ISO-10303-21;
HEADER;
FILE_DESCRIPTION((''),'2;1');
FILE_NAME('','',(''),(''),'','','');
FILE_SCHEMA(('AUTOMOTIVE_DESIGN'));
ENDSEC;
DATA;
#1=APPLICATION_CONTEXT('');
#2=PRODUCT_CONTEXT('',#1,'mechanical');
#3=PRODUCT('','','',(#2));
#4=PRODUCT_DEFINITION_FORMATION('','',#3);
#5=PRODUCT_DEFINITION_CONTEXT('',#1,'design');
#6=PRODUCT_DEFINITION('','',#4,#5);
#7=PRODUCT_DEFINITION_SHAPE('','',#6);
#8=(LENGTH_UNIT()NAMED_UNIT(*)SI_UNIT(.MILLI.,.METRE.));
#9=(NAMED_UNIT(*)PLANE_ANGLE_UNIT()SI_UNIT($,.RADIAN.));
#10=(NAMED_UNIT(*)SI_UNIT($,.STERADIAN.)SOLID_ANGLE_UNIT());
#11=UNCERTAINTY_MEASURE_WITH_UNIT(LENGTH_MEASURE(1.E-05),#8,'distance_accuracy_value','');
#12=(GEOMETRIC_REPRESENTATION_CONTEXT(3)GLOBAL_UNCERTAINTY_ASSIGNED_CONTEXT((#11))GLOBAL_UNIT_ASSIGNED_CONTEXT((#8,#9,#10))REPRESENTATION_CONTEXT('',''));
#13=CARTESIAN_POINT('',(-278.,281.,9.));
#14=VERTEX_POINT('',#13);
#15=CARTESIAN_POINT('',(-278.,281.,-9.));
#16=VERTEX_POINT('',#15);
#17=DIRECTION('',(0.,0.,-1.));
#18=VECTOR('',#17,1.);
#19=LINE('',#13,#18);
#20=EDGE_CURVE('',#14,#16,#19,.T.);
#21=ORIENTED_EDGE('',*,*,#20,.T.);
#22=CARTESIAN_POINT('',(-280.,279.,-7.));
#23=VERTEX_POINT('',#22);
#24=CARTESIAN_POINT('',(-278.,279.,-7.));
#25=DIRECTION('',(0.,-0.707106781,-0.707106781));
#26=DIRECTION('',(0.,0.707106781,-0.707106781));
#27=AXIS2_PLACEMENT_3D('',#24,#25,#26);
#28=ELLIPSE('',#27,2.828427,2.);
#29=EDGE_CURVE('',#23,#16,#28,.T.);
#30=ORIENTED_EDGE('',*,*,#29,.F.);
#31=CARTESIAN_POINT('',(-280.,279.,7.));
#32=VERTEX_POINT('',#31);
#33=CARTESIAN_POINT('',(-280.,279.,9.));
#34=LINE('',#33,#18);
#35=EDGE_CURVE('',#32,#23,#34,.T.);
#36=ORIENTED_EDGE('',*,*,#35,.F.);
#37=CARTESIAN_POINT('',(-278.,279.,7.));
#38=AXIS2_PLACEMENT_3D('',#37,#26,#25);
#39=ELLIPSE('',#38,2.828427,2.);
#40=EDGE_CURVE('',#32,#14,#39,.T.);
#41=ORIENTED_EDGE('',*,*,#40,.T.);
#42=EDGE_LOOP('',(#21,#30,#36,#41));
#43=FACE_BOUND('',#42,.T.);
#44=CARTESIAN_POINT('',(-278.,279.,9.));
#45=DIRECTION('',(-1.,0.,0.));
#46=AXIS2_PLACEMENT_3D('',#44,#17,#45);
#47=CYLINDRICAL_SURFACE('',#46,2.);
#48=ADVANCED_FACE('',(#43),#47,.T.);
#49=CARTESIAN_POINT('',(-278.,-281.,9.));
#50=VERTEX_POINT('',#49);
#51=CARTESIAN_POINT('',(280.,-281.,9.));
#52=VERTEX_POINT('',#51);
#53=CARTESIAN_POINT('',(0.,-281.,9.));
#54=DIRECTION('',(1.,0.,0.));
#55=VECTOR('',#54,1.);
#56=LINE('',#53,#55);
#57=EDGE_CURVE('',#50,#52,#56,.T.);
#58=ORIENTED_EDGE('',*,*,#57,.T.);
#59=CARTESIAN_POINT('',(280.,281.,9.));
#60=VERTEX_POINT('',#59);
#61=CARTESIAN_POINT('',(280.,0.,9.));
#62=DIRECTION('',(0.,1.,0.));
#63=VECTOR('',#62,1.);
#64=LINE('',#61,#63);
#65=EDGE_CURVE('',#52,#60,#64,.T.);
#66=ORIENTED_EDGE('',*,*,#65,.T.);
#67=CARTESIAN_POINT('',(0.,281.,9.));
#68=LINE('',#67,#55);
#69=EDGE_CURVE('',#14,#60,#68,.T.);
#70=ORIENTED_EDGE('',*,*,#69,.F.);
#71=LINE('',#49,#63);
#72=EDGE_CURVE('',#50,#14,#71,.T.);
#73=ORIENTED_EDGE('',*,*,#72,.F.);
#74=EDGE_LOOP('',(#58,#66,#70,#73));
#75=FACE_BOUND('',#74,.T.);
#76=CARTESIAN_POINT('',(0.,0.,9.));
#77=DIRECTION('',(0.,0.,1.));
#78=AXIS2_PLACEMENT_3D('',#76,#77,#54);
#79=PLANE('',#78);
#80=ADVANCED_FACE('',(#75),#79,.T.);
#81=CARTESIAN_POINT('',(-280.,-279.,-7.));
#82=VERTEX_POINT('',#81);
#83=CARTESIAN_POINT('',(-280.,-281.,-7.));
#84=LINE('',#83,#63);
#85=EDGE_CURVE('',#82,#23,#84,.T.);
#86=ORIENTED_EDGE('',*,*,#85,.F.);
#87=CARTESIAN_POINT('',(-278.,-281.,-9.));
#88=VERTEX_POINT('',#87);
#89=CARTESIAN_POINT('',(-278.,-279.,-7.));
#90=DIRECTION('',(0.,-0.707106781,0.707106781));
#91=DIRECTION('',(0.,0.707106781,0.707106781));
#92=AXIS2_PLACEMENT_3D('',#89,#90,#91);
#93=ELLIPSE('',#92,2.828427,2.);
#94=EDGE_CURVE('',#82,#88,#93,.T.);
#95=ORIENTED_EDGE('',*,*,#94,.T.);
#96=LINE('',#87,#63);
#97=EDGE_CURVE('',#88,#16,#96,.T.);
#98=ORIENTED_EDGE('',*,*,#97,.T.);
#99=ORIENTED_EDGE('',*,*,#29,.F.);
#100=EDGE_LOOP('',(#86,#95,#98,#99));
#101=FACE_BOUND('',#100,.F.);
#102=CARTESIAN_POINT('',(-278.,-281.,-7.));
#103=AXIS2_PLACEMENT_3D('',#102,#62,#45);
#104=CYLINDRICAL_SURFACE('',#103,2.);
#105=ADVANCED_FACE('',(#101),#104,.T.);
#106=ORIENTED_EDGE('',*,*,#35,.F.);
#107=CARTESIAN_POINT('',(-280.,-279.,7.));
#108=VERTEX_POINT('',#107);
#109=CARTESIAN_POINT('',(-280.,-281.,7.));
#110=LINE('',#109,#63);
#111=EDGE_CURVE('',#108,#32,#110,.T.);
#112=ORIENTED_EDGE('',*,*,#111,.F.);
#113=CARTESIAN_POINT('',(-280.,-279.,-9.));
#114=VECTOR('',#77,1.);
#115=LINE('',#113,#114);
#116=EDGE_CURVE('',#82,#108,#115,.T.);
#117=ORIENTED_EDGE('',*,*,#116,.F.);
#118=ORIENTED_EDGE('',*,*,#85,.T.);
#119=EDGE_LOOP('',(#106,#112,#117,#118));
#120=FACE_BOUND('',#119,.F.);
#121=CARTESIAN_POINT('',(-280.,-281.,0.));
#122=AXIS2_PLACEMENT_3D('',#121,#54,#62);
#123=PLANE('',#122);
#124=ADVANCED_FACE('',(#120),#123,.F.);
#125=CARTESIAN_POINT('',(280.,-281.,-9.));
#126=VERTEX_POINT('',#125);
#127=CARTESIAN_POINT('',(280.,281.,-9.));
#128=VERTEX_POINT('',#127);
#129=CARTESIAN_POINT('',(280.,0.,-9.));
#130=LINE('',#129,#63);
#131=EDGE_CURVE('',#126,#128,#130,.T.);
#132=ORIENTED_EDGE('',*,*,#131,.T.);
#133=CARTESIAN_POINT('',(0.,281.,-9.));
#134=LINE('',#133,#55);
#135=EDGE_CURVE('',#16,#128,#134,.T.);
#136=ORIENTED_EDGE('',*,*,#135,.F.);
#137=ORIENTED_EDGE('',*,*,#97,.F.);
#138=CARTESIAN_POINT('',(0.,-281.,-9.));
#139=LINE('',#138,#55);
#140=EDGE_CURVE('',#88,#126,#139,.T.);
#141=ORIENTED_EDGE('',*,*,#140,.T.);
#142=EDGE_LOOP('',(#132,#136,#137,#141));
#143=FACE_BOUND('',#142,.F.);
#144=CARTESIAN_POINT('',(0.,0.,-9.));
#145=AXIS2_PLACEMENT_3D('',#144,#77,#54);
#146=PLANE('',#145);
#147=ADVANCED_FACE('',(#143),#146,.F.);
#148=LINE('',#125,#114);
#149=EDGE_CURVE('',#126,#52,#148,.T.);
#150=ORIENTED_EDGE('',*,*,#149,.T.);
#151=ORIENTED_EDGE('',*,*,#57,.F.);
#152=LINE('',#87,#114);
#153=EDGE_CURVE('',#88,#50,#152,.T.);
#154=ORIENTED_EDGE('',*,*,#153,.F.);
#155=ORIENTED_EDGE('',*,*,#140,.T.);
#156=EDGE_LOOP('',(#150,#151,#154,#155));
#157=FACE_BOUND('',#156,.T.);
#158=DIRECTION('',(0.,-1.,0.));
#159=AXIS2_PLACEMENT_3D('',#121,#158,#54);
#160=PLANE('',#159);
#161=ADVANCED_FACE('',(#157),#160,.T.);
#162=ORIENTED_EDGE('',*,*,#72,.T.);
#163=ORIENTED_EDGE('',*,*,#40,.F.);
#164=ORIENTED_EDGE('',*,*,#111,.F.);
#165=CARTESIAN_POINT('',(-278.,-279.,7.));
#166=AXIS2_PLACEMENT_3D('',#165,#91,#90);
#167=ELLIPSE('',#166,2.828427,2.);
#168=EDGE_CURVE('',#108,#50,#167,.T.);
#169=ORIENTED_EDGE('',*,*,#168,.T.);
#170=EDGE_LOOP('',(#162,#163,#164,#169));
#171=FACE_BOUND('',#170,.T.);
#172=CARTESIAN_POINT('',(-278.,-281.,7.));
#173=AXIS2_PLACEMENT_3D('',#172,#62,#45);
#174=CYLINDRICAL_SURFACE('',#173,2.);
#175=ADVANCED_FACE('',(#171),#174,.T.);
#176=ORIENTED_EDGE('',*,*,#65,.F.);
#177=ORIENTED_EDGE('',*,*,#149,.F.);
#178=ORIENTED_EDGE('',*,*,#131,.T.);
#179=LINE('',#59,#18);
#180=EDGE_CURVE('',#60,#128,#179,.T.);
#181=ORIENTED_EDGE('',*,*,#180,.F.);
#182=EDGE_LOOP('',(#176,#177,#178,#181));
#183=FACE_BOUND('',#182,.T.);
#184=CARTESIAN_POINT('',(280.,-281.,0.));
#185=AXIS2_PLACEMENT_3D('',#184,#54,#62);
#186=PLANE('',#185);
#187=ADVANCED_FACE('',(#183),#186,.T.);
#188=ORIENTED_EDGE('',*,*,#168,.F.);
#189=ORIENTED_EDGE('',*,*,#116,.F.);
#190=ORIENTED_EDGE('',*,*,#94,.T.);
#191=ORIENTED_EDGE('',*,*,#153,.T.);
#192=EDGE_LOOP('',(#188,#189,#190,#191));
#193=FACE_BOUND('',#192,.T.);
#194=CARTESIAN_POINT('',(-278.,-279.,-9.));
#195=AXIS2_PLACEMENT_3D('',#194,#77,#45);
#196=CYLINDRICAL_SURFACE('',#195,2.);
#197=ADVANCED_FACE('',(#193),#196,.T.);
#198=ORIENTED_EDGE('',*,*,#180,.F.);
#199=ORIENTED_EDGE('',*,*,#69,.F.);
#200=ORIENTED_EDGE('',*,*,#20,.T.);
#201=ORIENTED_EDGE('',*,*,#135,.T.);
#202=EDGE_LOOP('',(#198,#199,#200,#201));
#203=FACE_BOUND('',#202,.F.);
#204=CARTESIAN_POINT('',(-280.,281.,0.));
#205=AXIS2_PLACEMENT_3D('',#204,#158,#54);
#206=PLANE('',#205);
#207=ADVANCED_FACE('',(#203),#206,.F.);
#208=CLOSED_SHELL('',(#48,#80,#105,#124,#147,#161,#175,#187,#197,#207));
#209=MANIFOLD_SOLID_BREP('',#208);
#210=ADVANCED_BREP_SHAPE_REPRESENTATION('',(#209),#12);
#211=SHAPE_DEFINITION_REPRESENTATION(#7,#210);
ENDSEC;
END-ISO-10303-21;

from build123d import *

# Parameters (mm, degrees)
F0_W     = 560
F0_H     = 562
F1_DEPTH = 9
F2_R     = 2


with BuildPart() as f1:
    # F0 (on Top) → F1 (new body, symmetric)
    with BuildSketch(Plane.XY):
        Rectangle(F0_W, F0_H)
    extrude(amount=F1_DEPTH, both=True)

    # F2
    f2_edges = [f1.edges().sort_by_distance(p)[0] for p in [
        (-280, 281, 0),
        (-280, 0, -9),
        (-280, -281, 0),
        (-280, 0, 9),
    ]]
    fillet(f2_edges, radius=F2_R)


solid = f1.part
